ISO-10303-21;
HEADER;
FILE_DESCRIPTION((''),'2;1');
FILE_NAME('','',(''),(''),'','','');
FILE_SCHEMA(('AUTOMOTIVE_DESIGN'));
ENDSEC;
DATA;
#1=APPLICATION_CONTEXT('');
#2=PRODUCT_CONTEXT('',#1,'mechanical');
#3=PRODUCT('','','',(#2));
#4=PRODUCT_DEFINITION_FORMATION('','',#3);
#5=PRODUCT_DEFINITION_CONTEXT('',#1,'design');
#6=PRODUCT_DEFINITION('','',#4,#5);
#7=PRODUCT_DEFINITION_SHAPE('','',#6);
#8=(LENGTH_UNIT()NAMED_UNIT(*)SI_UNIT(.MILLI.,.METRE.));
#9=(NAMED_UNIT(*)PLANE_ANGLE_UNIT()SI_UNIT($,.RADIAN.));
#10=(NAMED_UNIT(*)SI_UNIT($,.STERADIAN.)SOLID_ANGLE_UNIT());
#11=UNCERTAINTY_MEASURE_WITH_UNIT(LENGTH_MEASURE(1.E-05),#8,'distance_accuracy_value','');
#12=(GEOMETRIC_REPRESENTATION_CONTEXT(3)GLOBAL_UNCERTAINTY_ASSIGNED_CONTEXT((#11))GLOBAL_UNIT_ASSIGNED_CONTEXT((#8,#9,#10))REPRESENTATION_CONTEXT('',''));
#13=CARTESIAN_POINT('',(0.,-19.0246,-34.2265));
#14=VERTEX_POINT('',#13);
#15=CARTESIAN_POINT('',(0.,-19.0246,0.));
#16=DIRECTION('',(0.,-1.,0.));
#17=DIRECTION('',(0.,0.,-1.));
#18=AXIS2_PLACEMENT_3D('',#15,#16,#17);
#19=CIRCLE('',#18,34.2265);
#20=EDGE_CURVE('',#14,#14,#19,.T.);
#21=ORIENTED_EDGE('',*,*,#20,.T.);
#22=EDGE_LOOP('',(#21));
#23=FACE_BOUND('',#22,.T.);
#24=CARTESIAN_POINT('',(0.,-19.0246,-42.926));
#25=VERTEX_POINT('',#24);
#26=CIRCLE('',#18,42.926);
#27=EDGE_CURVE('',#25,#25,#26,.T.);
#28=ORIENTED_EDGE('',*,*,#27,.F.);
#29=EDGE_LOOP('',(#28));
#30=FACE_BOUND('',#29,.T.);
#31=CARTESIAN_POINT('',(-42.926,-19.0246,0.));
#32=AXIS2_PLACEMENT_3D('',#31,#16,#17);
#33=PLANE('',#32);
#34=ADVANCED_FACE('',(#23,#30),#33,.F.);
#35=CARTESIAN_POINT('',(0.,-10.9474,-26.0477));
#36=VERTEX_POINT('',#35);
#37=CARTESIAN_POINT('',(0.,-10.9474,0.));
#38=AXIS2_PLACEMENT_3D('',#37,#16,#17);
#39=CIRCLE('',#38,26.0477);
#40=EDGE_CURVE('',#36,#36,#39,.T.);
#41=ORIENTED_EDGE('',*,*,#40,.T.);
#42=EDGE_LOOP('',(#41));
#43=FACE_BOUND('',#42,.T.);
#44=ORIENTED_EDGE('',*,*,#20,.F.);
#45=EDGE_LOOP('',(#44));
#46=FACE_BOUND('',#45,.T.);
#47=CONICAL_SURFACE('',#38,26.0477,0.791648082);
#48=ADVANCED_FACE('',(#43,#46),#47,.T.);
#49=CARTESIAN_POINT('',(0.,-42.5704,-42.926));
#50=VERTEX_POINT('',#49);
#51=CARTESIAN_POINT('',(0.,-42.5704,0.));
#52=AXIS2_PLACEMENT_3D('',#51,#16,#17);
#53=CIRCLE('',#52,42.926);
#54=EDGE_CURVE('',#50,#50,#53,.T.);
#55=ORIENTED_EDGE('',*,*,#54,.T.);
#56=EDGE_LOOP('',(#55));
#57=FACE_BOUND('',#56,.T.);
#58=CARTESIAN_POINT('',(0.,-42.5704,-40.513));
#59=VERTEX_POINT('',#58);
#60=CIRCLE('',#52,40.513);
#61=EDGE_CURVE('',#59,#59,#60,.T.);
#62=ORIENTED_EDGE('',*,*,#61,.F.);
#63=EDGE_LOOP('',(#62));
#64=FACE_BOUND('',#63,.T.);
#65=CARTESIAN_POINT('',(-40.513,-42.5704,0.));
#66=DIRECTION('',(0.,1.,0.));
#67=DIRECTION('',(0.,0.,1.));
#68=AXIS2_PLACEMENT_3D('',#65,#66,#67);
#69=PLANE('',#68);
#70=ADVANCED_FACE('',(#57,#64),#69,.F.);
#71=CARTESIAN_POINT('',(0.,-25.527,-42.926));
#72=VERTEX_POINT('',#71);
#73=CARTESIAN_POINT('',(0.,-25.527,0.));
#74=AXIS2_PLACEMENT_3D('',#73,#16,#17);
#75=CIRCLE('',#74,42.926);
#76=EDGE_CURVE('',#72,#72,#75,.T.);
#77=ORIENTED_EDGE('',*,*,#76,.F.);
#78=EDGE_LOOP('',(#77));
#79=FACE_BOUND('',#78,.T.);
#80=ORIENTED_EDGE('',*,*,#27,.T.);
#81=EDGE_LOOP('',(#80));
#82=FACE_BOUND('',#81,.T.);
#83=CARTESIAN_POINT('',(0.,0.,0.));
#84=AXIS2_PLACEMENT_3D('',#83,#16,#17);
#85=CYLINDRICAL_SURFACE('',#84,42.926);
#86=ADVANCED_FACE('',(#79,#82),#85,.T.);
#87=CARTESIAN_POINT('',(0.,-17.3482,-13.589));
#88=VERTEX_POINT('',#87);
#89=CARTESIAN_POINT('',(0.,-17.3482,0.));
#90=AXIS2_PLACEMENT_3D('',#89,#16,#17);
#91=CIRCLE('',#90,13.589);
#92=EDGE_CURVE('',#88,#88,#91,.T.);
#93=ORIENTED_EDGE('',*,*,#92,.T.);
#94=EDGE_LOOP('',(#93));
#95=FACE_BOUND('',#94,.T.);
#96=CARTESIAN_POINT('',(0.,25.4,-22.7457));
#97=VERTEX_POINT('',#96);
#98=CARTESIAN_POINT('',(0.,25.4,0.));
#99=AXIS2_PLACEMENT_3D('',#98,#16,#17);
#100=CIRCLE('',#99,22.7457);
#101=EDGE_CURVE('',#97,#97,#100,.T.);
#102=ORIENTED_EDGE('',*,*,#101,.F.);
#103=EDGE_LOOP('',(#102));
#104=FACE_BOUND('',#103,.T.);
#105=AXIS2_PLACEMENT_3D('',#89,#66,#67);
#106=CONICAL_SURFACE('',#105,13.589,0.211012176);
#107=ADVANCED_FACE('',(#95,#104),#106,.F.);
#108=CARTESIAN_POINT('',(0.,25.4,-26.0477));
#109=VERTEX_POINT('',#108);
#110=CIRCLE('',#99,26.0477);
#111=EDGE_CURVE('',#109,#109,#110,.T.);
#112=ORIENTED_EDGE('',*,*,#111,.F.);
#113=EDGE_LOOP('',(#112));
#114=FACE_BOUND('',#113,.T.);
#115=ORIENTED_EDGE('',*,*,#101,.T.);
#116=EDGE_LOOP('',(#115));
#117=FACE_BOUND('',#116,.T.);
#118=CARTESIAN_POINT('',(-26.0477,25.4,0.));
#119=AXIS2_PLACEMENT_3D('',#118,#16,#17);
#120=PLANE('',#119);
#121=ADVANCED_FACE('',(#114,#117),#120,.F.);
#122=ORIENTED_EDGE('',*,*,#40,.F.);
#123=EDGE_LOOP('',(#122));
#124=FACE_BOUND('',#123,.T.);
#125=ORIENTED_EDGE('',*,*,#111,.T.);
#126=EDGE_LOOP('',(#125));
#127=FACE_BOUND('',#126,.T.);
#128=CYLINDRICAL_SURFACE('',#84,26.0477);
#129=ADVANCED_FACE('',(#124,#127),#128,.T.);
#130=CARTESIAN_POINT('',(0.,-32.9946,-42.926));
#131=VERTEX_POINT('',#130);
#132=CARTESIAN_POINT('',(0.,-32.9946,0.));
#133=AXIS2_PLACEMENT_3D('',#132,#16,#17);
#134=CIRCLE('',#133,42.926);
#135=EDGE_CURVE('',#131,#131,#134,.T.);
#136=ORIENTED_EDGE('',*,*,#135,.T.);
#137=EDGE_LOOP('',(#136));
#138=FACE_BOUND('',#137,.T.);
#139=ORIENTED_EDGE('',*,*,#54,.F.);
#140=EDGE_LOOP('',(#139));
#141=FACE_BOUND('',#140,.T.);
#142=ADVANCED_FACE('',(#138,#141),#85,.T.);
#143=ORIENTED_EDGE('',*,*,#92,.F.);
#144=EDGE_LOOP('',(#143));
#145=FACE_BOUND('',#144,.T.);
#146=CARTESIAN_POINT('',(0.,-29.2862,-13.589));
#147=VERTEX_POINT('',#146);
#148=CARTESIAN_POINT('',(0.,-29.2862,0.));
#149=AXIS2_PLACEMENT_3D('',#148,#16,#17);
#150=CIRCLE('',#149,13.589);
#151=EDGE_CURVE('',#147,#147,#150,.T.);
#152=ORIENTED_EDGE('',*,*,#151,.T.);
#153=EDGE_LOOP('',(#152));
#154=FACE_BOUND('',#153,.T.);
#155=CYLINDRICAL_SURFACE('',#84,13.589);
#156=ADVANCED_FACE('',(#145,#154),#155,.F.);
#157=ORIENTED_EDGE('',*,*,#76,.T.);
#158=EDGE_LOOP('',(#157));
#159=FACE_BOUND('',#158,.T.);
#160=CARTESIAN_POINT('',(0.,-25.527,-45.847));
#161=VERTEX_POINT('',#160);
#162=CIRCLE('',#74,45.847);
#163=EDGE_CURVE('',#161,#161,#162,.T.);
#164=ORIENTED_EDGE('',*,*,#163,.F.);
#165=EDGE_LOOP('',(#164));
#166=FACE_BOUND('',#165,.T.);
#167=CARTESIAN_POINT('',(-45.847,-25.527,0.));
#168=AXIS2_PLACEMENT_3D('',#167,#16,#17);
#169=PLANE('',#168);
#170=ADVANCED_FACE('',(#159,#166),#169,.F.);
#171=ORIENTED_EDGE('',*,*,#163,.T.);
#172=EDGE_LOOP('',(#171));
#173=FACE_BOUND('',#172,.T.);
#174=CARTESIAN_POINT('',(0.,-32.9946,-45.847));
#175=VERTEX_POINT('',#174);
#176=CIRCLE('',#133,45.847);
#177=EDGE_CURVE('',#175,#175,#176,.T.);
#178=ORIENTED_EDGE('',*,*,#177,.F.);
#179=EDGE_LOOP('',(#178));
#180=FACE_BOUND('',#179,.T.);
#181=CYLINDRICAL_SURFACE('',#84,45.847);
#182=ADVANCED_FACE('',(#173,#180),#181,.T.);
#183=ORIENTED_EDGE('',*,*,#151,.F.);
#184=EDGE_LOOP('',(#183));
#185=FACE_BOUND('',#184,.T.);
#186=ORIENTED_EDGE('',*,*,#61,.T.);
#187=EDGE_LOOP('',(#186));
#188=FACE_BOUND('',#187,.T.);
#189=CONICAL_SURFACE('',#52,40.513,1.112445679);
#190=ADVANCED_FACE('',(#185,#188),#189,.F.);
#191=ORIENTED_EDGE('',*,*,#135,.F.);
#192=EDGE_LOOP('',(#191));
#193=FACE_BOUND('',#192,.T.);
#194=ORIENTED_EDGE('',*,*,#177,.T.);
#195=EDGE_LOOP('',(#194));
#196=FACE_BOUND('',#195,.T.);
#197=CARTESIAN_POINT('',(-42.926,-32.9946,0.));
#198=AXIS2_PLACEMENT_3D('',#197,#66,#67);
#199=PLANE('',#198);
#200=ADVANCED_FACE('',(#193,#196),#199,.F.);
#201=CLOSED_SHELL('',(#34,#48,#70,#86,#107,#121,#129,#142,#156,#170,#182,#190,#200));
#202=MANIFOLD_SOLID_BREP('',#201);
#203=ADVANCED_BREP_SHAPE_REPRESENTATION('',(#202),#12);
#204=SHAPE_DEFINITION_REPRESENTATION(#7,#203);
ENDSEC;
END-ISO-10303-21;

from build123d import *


with BuildPart() as part:
    # Sketch1 → Revolve1 (revolve)
    with BuildSketch(Plane.XY):
        Polygon((-22.7457, 25.4), (-13.589, -17.3482), (-13.589, -29.2862), (-40.513, -42.5704), (-42.926, -42.5704), (-42.926, -32.9946), (-45.847, -32.9946), (-45.847, -25.527), (-42.926, -25.527), (-42.926, -19.0246), (-34.2265, -19.0246), (-26.0477, -10.9474), (-26.0477, 25.4), align=None)
    revolve(axis=Axis((0, 0, 0), (0, 1, 0)))


solid = part.part
